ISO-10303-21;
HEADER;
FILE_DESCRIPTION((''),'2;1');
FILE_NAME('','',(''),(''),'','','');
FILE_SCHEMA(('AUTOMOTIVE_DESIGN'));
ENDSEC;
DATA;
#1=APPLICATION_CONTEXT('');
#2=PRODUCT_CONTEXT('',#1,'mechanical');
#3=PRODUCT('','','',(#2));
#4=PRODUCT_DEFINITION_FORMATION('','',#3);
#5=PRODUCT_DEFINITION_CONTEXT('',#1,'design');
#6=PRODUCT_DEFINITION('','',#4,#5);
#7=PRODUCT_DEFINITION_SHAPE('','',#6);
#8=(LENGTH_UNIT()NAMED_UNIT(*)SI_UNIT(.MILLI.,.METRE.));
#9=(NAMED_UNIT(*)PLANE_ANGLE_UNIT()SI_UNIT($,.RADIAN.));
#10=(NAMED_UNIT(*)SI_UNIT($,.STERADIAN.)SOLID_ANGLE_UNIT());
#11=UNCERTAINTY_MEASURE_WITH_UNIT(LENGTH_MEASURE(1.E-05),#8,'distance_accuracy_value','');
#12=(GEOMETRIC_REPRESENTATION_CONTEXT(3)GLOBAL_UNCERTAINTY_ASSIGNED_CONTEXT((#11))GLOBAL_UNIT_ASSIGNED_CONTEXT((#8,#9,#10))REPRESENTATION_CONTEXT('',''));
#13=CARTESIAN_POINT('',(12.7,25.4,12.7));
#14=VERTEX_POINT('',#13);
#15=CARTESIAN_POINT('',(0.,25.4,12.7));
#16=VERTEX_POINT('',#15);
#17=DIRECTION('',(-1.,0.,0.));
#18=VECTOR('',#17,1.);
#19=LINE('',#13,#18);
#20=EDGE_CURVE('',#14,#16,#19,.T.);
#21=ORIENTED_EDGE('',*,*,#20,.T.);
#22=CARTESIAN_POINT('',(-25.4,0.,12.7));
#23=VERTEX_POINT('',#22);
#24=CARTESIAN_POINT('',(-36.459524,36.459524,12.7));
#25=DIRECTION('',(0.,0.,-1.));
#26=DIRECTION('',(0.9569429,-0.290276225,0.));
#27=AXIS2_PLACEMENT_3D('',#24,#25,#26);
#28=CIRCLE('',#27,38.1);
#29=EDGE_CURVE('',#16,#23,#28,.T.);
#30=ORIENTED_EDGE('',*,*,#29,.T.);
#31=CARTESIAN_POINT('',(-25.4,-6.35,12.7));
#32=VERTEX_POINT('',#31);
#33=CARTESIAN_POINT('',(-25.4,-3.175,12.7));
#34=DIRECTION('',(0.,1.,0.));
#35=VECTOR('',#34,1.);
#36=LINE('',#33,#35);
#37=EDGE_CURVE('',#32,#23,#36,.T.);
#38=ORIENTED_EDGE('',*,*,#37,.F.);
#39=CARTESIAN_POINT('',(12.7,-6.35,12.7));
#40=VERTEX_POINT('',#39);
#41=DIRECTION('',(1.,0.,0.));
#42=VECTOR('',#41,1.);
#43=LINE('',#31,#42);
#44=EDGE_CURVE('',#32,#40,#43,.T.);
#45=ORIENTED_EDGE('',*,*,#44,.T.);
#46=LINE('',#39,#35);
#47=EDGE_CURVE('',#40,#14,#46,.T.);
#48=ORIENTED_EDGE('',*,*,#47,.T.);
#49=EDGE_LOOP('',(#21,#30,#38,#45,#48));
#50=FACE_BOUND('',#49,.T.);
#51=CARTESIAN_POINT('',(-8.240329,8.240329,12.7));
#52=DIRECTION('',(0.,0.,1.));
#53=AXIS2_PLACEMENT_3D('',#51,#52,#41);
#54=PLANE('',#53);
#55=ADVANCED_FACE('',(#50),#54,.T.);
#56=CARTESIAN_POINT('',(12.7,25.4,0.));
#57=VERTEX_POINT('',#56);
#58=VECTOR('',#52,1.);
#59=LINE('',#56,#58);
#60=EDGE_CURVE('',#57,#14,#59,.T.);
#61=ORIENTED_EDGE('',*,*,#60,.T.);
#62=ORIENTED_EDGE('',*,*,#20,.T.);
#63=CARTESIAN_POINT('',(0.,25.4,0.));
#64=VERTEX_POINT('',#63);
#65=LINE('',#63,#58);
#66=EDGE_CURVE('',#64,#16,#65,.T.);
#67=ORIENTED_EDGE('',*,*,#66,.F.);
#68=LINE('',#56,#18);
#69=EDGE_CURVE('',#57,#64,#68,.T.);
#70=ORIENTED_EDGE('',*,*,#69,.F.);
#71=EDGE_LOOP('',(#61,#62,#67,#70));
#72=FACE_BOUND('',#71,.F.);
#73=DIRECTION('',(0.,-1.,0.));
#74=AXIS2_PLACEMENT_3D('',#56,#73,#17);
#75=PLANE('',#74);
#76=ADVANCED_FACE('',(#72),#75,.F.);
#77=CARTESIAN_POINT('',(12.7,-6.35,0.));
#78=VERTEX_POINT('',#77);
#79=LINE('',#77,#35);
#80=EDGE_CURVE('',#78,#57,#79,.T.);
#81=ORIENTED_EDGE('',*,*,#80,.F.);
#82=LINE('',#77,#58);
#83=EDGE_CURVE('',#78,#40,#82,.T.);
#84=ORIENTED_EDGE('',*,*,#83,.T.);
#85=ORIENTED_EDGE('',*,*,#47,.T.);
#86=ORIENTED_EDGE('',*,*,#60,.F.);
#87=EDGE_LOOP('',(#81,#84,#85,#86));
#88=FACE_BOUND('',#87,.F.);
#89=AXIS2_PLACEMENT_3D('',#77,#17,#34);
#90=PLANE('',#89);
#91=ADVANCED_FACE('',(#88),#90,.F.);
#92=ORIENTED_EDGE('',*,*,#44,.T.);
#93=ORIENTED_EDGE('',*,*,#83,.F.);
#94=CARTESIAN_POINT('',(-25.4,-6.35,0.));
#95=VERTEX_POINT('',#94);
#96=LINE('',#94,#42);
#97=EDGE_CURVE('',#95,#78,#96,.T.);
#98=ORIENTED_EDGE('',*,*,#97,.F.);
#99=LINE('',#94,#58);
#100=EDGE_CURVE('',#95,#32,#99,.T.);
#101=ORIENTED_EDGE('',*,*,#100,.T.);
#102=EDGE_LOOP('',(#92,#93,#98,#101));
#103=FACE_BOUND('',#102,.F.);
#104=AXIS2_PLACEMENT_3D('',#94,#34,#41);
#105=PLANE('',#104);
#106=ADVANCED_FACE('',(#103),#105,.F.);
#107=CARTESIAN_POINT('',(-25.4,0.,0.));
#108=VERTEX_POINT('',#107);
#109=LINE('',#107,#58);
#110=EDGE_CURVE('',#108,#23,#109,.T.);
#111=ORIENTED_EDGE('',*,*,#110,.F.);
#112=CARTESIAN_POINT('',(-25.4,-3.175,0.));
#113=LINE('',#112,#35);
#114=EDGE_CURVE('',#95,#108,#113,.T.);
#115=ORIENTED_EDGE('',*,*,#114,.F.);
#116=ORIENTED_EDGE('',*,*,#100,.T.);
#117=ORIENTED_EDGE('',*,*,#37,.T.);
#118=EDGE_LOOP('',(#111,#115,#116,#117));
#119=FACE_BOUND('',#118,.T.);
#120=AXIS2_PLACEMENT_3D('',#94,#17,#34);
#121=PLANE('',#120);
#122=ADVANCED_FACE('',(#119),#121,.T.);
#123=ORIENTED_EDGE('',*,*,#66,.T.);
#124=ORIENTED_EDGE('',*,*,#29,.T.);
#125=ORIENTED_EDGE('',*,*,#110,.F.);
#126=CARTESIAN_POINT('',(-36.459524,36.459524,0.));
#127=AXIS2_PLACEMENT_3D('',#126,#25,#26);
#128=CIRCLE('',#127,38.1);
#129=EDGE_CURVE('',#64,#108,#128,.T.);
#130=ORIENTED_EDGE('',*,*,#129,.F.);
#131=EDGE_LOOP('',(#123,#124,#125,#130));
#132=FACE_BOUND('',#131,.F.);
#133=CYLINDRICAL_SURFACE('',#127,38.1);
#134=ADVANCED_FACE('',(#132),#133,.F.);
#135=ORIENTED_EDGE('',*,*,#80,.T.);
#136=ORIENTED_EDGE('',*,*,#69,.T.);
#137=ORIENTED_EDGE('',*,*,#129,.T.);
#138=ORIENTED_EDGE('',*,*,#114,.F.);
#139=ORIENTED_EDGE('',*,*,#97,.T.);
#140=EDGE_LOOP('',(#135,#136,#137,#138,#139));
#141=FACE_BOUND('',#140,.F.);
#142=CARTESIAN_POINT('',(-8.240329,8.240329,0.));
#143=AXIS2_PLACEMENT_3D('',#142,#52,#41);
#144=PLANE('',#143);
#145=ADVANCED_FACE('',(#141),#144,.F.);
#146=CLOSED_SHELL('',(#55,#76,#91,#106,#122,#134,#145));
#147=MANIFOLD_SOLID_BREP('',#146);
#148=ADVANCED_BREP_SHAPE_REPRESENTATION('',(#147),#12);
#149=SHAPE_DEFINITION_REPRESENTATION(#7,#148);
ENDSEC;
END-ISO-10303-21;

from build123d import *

# Parameters (mm, degrees)
F0_W     = 25.4
F0_H     = 6.35
F1_DEPTH = 12.7


with BuildPart() as f1:
    # F0 (on Top) → F1 (new body)
    with BuildSketch(Plane.XY):
        with BuildLine():
            Line((0, 0), (0, 25.4))
            ThreePointArc((0, 25.4), (-9.518756, 9.518756), (-25.4, 0))
            Line((-25.4, 0), (0, 0))
        make_face()
        Polygon((12.7, 25.4), (0, 25.4), (0, 0), (0, -6.35), (12.7, -6.35), align=None)
        with Locations((-12.7, -3.175)):
            Rectangle(F0_W, F0_H)
    extrude(amount=F1_DEPTH)


solid = f1.part
